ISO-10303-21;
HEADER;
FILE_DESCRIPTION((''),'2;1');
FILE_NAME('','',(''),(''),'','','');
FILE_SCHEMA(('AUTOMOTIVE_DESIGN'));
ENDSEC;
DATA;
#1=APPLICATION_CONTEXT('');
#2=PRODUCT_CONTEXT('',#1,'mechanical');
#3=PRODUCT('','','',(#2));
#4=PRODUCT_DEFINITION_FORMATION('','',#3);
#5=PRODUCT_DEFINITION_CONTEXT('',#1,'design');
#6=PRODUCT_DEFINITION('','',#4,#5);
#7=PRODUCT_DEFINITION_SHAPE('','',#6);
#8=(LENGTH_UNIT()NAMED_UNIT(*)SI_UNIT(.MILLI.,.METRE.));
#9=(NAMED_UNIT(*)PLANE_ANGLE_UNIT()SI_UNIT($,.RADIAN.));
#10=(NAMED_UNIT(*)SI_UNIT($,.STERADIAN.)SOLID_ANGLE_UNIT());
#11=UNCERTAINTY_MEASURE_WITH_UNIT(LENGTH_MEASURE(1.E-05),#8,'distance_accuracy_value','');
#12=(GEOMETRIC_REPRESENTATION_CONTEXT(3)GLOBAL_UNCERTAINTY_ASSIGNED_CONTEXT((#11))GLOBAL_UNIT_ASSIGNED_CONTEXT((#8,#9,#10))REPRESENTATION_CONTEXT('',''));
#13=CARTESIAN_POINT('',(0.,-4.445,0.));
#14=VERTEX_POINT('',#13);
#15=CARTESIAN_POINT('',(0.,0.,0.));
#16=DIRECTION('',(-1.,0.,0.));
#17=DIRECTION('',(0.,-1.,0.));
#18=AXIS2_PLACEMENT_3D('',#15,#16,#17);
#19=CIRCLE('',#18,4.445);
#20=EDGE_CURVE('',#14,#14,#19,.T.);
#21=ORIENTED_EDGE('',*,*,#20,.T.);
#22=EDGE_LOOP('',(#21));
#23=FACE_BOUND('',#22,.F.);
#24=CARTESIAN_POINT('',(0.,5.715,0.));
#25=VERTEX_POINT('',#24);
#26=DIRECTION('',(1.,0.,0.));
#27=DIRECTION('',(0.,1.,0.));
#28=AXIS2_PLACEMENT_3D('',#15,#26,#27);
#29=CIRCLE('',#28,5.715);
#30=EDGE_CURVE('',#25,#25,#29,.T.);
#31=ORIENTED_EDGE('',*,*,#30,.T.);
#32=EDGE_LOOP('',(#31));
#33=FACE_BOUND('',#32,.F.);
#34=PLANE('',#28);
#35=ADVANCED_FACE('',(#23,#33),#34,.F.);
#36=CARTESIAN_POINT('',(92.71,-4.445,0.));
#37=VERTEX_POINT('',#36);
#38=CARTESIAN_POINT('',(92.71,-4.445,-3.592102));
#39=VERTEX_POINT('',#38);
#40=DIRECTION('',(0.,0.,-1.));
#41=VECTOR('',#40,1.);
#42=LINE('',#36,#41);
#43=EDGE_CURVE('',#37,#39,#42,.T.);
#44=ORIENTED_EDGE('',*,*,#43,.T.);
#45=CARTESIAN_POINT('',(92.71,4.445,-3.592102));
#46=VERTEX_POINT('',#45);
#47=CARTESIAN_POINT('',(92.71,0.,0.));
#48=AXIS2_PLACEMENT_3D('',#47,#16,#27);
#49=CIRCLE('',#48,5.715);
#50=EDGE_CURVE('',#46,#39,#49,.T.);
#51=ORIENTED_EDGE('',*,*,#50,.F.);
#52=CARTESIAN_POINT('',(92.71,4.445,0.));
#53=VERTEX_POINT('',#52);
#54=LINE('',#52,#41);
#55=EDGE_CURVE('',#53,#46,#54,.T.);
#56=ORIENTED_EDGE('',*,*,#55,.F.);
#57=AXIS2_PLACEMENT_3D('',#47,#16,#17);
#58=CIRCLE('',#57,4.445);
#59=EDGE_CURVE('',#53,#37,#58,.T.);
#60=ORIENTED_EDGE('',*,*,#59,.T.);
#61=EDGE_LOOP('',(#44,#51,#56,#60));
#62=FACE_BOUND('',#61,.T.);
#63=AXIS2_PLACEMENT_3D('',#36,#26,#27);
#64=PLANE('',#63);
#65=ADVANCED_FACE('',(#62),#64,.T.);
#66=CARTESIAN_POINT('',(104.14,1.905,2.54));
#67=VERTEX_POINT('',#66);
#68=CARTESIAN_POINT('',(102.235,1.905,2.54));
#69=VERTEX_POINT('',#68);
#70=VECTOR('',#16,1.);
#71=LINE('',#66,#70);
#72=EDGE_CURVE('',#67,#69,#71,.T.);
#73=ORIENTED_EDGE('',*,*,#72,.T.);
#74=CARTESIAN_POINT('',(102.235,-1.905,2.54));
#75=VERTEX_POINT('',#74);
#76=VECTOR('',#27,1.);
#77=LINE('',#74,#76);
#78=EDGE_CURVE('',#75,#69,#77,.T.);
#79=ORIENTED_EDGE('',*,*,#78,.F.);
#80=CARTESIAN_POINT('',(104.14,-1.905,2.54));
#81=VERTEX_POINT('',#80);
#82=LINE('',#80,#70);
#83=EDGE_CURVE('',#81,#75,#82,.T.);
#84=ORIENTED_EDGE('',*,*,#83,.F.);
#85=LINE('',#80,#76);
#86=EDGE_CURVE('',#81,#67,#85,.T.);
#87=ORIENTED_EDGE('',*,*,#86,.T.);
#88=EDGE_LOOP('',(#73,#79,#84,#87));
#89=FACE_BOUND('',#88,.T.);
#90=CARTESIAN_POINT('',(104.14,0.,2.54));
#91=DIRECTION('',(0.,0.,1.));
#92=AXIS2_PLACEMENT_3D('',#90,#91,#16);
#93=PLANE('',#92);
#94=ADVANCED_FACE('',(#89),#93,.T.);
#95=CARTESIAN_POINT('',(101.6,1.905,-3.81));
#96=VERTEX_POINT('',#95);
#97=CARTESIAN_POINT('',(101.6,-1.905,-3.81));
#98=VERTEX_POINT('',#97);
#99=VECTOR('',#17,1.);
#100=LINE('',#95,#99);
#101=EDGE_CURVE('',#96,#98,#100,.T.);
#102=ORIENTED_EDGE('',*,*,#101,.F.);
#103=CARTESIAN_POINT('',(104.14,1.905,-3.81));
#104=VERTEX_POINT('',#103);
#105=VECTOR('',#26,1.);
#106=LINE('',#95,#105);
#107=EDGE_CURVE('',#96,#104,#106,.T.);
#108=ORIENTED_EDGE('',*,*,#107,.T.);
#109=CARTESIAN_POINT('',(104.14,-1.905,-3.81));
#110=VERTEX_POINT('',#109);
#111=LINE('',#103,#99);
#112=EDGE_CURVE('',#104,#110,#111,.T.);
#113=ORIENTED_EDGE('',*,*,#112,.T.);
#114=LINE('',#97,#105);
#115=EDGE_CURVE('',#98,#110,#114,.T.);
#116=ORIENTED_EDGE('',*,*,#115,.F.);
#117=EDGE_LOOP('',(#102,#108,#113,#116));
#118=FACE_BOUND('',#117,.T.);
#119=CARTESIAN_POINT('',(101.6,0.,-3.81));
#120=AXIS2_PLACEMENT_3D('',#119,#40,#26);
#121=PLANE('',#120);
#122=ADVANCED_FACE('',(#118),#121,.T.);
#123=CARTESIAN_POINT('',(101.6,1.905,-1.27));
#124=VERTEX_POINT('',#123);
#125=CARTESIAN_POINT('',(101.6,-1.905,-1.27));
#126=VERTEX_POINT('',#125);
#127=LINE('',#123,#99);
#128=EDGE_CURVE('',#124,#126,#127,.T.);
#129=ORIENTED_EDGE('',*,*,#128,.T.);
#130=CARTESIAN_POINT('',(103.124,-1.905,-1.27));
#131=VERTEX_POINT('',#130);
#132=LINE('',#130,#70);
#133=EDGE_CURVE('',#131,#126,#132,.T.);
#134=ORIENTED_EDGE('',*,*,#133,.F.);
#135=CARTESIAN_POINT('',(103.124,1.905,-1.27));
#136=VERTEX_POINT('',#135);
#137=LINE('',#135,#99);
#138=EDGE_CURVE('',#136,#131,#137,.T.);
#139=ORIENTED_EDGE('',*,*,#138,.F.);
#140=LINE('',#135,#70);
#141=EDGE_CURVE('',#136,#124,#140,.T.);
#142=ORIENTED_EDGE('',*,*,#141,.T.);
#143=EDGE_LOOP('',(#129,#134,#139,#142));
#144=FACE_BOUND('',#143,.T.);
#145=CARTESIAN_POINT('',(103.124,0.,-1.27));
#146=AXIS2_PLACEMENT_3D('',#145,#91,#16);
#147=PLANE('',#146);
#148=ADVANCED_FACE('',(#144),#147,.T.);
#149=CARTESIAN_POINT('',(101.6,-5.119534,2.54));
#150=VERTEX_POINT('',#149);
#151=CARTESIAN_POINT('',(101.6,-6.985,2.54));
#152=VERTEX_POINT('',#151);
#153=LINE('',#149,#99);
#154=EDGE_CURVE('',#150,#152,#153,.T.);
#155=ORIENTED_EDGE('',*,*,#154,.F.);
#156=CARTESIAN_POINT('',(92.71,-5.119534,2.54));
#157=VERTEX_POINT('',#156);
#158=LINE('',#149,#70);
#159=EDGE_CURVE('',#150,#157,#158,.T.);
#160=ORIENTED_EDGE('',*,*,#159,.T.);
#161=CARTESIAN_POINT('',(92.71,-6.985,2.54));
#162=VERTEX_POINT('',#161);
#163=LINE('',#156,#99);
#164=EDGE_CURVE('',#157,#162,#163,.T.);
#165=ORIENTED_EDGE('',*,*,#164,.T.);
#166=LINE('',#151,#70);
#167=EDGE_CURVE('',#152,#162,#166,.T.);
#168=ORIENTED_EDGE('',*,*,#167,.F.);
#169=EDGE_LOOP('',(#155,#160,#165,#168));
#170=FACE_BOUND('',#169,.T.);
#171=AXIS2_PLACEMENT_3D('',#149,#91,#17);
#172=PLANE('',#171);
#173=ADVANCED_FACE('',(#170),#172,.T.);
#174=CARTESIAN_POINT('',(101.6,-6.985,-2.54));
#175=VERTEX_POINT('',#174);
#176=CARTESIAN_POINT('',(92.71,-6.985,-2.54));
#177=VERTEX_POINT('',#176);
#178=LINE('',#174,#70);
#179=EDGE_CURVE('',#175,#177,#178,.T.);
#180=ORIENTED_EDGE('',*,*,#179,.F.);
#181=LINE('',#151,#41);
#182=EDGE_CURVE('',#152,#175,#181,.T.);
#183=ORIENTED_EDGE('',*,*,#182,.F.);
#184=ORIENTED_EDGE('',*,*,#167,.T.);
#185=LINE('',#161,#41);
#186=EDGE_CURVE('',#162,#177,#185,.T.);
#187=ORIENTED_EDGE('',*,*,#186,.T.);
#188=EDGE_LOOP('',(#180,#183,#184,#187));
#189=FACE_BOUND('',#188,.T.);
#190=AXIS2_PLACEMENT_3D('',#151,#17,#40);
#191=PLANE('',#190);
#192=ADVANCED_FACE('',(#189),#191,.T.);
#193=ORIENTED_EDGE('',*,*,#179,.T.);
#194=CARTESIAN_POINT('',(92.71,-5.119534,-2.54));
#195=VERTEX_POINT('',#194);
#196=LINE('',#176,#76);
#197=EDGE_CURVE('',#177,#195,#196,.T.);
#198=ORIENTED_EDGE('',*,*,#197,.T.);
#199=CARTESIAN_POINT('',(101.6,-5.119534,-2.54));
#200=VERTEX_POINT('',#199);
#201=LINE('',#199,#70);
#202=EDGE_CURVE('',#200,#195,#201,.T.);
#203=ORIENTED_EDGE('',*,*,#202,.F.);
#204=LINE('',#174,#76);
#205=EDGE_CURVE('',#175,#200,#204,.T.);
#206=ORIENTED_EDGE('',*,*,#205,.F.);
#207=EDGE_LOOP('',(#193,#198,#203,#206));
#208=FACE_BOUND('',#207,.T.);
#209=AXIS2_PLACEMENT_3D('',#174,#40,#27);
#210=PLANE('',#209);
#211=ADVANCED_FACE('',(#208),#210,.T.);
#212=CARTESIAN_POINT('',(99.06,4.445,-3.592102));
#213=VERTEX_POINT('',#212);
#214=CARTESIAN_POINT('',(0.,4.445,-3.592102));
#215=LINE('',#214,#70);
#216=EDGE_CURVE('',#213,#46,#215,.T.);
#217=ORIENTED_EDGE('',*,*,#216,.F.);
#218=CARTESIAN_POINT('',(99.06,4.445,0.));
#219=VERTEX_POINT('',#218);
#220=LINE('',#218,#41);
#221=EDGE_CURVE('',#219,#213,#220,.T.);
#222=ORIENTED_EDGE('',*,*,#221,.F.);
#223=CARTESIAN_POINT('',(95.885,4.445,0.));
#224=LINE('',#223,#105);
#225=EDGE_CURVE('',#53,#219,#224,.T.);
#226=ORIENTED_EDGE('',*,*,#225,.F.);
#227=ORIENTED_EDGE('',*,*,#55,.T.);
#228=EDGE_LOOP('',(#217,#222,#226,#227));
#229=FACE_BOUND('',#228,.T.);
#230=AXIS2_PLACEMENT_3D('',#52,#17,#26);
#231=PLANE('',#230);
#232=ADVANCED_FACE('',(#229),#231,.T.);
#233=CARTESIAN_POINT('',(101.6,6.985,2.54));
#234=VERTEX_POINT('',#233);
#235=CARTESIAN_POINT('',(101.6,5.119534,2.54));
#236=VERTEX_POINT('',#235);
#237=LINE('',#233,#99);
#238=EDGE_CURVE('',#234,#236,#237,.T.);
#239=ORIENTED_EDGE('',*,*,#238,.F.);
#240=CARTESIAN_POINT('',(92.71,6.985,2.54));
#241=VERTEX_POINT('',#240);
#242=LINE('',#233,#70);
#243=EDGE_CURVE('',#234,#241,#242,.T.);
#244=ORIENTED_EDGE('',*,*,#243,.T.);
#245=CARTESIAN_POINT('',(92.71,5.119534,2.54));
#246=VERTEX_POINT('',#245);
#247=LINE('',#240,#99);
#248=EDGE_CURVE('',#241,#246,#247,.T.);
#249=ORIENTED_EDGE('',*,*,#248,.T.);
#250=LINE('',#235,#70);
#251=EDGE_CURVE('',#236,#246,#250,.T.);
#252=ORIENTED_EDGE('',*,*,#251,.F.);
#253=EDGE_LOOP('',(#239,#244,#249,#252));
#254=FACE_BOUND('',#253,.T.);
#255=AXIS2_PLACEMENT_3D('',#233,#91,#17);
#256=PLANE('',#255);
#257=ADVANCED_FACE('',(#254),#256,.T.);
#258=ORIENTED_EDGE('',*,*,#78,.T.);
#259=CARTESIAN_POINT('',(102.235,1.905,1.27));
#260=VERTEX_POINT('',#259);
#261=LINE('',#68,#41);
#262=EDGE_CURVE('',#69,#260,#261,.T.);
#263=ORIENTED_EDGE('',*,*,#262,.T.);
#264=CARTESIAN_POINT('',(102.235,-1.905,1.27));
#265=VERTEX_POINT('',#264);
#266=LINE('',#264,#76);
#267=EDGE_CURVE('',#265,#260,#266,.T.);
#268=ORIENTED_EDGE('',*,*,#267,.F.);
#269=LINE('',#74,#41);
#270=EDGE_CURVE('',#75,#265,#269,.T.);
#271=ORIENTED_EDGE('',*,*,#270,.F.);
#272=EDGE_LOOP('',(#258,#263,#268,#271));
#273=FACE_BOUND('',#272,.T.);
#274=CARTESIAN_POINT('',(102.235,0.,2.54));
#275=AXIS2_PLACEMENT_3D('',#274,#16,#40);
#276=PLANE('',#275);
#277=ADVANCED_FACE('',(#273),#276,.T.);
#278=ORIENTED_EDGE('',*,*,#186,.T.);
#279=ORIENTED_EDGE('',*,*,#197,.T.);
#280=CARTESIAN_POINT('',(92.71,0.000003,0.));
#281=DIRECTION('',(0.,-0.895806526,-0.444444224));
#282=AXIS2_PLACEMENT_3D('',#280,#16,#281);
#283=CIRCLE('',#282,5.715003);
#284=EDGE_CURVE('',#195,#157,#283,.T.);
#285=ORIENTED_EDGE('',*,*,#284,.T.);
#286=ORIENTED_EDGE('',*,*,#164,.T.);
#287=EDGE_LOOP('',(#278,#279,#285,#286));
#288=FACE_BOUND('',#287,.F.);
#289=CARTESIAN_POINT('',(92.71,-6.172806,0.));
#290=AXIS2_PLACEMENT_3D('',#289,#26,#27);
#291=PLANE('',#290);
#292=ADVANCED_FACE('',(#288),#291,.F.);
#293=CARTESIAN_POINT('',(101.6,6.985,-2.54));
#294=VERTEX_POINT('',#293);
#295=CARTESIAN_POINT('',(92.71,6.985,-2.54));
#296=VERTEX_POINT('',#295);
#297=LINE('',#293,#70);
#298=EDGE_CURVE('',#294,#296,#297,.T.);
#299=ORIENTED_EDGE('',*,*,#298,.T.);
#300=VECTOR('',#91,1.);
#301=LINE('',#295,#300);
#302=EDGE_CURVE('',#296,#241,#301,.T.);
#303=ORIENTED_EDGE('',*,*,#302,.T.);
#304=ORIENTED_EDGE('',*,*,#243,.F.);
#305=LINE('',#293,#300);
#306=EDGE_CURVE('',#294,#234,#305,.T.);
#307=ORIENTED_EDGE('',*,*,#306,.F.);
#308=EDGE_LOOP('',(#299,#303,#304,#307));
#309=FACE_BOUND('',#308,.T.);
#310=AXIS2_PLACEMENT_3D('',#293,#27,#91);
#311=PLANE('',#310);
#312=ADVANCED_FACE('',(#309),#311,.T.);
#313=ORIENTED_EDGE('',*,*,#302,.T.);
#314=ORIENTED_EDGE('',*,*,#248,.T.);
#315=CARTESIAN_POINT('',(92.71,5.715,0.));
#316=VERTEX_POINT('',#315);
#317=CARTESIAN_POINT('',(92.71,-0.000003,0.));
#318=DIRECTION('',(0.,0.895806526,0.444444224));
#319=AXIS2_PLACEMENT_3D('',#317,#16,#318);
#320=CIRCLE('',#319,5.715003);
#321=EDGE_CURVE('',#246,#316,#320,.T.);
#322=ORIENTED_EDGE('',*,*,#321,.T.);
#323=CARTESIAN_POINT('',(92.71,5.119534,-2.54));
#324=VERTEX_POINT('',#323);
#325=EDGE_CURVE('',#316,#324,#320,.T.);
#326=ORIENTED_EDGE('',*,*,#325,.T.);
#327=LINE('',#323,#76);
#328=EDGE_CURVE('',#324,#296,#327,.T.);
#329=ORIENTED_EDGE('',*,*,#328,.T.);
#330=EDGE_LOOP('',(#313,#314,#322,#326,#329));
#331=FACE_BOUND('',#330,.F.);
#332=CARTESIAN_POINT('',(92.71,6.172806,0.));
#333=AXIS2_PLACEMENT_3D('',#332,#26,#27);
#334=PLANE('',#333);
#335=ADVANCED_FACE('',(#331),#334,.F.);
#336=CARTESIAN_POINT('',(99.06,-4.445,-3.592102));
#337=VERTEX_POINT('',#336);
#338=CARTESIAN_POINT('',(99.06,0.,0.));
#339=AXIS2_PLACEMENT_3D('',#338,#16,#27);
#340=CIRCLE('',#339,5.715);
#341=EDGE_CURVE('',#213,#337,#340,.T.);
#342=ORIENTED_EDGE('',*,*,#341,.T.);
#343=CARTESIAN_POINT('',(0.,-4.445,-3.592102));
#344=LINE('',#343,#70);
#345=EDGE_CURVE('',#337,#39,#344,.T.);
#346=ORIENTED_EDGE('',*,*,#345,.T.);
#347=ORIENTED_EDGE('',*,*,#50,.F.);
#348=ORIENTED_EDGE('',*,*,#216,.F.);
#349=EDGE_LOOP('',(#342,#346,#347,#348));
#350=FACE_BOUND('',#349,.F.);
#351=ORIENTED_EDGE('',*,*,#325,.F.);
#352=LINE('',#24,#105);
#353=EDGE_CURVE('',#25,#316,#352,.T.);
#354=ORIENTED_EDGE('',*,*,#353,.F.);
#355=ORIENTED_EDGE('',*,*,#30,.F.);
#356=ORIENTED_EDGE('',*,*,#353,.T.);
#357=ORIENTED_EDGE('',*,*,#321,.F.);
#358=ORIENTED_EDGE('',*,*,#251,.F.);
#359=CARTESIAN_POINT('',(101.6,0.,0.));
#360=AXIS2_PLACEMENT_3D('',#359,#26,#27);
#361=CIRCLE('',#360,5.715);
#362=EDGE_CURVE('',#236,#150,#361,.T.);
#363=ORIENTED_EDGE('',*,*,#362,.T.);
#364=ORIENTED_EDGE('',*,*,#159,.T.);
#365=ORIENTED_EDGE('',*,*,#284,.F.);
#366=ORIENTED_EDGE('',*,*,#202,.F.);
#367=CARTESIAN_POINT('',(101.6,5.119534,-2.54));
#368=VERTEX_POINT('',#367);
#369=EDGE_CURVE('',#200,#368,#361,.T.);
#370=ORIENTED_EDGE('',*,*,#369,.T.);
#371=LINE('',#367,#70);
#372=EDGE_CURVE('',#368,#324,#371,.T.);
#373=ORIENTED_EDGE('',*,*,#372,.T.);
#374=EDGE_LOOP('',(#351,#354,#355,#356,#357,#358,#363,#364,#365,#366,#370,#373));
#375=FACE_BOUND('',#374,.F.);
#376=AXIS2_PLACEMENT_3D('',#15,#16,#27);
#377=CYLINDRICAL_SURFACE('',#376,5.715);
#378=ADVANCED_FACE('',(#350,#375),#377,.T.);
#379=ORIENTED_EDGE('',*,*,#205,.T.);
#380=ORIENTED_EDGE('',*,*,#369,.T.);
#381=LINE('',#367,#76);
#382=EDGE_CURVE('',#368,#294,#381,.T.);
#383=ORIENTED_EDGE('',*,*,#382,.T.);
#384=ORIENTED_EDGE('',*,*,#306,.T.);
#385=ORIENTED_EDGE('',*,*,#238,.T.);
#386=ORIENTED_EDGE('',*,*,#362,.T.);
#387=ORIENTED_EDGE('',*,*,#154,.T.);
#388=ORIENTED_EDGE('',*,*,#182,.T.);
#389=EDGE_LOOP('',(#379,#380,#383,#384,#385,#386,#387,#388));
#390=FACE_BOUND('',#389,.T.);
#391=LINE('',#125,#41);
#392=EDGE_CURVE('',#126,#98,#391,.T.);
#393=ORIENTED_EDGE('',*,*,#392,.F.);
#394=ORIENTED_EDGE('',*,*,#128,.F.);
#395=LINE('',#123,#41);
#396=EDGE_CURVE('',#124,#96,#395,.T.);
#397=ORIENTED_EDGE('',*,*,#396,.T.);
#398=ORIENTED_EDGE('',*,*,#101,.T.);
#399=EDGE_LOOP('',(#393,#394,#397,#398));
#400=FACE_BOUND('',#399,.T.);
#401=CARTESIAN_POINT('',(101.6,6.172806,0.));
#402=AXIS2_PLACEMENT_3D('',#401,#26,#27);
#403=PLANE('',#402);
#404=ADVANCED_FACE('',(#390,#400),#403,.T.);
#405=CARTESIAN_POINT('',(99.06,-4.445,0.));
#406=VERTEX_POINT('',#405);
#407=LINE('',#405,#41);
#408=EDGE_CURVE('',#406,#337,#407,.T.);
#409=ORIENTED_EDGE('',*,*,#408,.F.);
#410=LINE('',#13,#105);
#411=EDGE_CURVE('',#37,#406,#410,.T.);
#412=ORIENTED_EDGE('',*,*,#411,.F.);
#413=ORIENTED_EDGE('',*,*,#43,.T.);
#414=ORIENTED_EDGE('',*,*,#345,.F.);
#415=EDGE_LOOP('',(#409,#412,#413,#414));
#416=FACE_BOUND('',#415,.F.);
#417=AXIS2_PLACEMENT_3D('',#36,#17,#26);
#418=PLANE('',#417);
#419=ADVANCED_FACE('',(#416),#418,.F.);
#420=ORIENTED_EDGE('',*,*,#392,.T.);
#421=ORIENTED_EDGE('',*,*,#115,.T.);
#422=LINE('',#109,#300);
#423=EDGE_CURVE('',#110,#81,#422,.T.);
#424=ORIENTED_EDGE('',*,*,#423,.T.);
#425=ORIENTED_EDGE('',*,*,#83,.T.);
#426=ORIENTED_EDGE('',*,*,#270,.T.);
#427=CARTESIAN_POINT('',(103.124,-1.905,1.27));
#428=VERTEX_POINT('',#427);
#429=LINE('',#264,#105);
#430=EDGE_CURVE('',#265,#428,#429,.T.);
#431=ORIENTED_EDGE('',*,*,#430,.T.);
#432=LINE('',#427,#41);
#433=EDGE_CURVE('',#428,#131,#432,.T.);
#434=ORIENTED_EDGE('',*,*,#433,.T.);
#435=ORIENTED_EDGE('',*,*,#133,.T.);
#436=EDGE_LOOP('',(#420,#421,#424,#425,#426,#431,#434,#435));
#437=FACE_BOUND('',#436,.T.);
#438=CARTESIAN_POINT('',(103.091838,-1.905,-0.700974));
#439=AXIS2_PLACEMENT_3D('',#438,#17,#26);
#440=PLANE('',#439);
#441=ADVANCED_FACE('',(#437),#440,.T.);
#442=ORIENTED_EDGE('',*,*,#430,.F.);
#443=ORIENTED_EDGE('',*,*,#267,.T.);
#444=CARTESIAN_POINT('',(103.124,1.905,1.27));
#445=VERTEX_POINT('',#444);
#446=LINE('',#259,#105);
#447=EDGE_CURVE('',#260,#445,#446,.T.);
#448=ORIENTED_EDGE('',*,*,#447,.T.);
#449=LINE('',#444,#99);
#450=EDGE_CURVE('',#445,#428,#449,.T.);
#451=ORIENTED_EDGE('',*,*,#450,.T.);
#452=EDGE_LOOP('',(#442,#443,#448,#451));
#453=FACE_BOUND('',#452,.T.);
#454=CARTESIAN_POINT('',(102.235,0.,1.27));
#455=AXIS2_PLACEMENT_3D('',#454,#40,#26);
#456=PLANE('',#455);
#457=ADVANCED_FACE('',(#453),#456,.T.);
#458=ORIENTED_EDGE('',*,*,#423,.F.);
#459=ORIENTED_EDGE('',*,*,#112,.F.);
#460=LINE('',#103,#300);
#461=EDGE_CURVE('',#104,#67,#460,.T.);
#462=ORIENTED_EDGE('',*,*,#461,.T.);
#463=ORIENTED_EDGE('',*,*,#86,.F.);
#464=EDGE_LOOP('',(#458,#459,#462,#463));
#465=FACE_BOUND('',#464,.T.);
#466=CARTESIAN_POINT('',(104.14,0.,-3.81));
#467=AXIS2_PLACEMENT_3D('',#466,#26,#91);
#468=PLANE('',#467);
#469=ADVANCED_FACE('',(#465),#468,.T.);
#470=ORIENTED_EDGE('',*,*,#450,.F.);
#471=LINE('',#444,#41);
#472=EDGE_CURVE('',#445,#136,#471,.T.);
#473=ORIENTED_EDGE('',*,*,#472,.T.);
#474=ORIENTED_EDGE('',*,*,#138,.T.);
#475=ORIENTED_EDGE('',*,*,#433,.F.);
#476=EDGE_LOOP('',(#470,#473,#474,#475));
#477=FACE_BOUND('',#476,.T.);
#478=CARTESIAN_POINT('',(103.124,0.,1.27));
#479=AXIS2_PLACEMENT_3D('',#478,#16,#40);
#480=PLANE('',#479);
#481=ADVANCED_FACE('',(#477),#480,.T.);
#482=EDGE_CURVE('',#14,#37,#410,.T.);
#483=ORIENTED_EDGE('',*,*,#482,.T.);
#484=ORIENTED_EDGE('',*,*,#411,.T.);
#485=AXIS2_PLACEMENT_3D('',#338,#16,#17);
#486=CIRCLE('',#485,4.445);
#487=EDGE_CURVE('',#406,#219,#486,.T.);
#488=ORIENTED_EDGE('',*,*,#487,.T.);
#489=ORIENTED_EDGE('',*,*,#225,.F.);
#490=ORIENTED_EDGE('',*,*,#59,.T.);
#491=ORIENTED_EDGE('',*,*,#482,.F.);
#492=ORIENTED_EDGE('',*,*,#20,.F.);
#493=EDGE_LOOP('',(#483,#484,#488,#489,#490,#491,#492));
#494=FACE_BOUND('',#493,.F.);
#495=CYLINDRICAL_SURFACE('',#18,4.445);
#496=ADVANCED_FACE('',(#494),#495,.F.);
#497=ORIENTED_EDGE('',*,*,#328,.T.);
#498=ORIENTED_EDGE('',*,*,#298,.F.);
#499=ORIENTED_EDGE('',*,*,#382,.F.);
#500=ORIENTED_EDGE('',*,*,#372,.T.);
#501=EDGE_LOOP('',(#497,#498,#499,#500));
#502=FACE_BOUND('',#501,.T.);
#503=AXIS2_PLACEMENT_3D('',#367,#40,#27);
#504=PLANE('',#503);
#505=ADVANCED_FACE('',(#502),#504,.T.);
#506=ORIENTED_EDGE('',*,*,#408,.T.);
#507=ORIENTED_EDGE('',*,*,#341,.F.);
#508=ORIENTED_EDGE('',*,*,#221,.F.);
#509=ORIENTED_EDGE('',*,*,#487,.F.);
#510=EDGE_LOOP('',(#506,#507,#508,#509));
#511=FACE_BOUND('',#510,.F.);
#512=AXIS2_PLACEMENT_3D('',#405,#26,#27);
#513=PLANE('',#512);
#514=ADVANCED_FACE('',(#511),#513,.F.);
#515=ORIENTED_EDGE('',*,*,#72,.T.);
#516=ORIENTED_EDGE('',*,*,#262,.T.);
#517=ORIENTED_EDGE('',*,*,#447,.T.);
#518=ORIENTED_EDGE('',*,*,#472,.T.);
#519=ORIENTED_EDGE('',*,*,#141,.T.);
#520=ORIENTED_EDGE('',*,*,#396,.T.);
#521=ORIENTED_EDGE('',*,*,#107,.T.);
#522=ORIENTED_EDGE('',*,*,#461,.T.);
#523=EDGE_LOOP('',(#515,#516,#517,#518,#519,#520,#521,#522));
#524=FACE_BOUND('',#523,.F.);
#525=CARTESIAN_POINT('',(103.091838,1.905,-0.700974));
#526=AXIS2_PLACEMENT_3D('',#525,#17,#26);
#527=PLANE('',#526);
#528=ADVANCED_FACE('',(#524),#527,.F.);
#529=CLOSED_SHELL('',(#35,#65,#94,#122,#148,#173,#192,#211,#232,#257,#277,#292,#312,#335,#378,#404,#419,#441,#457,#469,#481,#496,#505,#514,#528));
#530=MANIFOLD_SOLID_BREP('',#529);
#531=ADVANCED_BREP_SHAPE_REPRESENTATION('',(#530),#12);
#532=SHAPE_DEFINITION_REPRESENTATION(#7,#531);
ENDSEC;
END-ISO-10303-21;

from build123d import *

# Parameters (mm, degrees)
F0_R           = 5.715
F1_DEPTH       = 101.6
F2_R           = 4.445
F3_DEPTH       = 99.06
F4_W           = 6.35
F4_H           = 8.89
F5_DEPTH       = 25.4
F8_DEPTH       = 8.89
F10_DEPTH      = 1.905
F10_DEPTH_BACK = 1.905


with BuildPart() as f1:
    # F0 (on Right) → F1 (new body)
    with BuildSketch(Plane.YZ):
        Circle(F0_R)
    extrude(amount=F1_DEPTH)

    # F2 (on face) → F3 (cut)
    with BuildSketch(Plane(origin=(0, 0, 0), x_dir=(0, -1, 0), z_dir=(-1, 0, 0))):
        Circle(F2_R)
    extrude(amount=-F3_DEPTH, mode=Mode.SUBTRACT)

    # F4 (on Top) → F5 (cut)
    with BuildSketch(Plane.XY):
        with Locations((95.885, 0)):
            Rectangle(F4_W, F4_H)
    extrude(amount=-F5_DEPTH, mode=Mode.SUBTRACT)

    # F7 (on offset) → F8 (join)
    with BuildSketch(Plane.YZ.offset(101.6)):
        with BuildLine():
            Line((6.985, 2.54), (5.119534, 2.54))
            ThreePointArc((5.119534, 2.54), (5.715, 0), (5.119534, -2.54))
            Line((5.119534, -2.54), (6.985, -2.54))
            Line((6.985, -2.54), (6.985, 2.54))
        make_face()
        with BuildLine():
            Line((-6.985, -2.54), (-5.119534, -2.54))
            ThreePointArc((-5.119534, -2.54), (-5.715, 0), (-5.119534, 2.54))
            Line((-5.119534, 2.54), (-6.985, 2.54))
            Line((-6.985, 2.54), (-6.985, -2.54))
        make_face()
    extrude(amount=-F8_DEPTH)

    # F9 (on Front) → F10 (join, two sides)
    with BuildSketch(Plane.XZ) as f10_sk:
        Polygon((102.235, 1.27), (103.124, 1.27), (103.124, -1.27), (101.6, -1.27), (101.6, -3.81), (104.14, -3.81), (104.14, 2.54), (102.235, 2.54), align=None)
    extrude(amount=F10_DEPTH)
    extrude(f10_sk.sketch, amount=-F10_DEPTH_BACK)


solid = f1.part
